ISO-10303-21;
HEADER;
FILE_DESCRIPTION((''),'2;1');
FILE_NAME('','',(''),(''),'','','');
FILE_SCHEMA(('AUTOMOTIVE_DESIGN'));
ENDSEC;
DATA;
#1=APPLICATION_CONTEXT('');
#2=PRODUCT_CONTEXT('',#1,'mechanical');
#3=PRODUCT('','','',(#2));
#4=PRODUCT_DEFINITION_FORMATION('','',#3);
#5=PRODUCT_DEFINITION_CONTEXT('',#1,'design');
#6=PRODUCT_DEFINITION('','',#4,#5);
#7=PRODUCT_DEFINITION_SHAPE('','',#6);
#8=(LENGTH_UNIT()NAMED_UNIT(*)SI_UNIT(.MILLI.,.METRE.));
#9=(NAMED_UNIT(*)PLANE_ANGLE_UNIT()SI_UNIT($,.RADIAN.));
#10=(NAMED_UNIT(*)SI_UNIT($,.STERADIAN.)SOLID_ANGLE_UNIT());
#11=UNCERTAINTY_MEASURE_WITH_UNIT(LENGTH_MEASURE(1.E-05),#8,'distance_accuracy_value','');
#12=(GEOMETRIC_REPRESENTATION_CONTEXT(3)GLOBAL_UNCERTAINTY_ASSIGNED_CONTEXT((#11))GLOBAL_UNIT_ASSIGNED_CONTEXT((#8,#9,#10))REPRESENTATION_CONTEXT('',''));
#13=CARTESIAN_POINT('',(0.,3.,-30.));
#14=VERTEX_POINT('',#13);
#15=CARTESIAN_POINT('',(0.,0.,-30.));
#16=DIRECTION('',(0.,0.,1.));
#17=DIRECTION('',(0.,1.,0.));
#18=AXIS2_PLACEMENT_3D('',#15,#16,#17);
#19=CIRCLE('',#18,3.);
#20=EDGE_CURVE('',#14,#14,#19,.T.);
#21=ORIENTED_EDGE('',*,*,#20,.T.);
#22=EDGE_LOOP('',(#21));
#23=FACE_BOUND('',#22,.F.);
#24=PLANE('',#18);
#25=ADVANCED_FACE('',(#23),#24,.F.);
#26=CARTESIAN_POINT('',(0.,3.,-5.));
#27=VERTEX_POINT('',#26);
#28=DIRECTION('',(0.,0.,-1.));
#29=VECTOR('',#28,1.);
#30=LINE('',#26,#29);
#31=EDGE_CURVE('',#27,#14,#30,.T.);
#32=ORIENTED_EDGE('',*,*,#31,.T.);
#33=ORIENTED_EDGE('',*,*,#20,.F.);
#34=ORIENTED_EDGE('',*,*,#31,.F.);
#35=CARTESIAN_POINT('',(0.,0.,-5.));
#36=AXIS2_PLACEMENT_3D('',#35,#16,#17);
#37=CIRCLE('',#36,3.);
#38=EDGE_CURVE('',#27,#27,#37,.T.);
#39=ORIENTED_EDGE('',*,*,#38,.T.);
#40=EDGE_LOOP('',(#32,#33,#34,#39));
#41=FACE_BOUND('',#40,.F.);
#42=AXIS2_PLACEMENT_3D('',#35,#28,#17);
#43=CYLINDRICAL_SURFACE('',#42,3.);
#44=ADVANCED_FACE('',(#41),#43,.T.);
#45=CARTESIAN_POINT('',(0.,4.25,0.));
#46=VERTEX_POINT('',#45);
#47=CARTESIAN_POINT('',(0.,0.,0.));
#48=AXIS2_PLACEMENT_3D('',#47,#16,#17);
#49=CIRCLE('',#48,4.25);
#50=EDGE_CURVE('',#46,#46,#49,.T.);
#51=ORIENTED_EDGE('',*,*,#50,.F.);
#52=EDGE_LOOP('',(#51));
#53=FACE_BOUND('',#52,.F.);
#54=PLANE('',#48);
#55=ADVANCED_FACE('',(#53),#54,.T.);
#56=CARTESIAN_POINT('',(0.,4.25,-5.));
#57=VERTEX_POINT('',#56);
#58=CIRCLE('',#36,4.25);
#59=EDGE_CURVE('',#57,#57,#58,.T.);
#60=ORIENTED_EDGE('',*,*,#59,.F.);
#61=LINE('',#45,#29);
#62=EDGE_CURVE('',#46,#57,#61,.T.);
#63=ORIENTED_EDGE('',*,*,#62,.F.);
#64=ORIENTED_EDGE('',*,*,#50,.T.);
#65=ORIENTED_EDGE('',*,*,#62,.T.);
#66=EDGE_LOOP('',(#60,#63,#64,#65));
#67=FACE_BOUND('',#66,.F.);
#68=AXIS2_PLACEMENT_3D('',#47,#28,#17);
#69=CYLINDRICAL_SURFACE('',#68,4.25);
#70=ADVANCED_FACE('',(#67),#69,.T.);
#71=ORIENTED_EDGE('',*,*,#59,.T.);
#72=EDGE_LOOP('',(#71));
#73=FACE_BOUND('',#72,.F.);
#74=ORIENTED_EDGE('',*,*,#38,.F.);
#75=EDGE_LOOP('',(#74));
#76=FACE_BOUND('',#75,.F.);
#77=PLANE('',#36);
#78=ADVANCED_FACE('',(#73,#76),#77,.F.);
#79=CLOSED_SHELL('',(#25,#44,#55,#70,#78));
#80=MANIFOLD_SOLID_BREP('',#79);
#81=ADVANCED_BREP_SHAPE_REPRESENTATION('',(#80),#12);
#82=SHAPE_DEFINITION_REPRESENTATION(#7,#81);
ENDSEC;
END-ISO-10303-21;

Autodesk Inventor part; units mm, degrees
ref_plane "YZ Plane" through (0, 0, 0) normal (1, 0, 0) x (0, 1, 0)
ref_plane "XZ Plane" through (0, 0, 0) normal (0, 1, 0) x (-1, 0, 0)
ref_plane "XY Plane" through (0, 0, 0) normal (0, 0, 1) x (1, 0, 0)
sketch "Sketch1" plane through (0, 0, 0) normal (1, 0, 0) x (0, 1, 0)
  line L0 (0, 0) -> (4.25, 0)
  line L1 (4.25, 0) -> (4.25, -5)
  line L2 (4.25, -5) -> (3, -5)
  line L3 (3, -5) -> (3, -30)
  line L4 (3, -30) -> (0, -30)
  line L5 (0, 0) -> (0, -30)
  line L6 (0, -36) -> (0, 6) projected
  dimension "d0" = 4.25
  dimension "d1" = 1.25
  dimension "d2" = 5
  dimension "d3" = 25
revolve "Revolution1" add sketch "Sketch1" angle 360 about axis through (0, 0, -10) along (0, 0, 1)
thread "Thread1" size "M6x1" class "6g" standard "ANSI Metric M Profile" length 5
properties part number "WkretDoNapinacza"
